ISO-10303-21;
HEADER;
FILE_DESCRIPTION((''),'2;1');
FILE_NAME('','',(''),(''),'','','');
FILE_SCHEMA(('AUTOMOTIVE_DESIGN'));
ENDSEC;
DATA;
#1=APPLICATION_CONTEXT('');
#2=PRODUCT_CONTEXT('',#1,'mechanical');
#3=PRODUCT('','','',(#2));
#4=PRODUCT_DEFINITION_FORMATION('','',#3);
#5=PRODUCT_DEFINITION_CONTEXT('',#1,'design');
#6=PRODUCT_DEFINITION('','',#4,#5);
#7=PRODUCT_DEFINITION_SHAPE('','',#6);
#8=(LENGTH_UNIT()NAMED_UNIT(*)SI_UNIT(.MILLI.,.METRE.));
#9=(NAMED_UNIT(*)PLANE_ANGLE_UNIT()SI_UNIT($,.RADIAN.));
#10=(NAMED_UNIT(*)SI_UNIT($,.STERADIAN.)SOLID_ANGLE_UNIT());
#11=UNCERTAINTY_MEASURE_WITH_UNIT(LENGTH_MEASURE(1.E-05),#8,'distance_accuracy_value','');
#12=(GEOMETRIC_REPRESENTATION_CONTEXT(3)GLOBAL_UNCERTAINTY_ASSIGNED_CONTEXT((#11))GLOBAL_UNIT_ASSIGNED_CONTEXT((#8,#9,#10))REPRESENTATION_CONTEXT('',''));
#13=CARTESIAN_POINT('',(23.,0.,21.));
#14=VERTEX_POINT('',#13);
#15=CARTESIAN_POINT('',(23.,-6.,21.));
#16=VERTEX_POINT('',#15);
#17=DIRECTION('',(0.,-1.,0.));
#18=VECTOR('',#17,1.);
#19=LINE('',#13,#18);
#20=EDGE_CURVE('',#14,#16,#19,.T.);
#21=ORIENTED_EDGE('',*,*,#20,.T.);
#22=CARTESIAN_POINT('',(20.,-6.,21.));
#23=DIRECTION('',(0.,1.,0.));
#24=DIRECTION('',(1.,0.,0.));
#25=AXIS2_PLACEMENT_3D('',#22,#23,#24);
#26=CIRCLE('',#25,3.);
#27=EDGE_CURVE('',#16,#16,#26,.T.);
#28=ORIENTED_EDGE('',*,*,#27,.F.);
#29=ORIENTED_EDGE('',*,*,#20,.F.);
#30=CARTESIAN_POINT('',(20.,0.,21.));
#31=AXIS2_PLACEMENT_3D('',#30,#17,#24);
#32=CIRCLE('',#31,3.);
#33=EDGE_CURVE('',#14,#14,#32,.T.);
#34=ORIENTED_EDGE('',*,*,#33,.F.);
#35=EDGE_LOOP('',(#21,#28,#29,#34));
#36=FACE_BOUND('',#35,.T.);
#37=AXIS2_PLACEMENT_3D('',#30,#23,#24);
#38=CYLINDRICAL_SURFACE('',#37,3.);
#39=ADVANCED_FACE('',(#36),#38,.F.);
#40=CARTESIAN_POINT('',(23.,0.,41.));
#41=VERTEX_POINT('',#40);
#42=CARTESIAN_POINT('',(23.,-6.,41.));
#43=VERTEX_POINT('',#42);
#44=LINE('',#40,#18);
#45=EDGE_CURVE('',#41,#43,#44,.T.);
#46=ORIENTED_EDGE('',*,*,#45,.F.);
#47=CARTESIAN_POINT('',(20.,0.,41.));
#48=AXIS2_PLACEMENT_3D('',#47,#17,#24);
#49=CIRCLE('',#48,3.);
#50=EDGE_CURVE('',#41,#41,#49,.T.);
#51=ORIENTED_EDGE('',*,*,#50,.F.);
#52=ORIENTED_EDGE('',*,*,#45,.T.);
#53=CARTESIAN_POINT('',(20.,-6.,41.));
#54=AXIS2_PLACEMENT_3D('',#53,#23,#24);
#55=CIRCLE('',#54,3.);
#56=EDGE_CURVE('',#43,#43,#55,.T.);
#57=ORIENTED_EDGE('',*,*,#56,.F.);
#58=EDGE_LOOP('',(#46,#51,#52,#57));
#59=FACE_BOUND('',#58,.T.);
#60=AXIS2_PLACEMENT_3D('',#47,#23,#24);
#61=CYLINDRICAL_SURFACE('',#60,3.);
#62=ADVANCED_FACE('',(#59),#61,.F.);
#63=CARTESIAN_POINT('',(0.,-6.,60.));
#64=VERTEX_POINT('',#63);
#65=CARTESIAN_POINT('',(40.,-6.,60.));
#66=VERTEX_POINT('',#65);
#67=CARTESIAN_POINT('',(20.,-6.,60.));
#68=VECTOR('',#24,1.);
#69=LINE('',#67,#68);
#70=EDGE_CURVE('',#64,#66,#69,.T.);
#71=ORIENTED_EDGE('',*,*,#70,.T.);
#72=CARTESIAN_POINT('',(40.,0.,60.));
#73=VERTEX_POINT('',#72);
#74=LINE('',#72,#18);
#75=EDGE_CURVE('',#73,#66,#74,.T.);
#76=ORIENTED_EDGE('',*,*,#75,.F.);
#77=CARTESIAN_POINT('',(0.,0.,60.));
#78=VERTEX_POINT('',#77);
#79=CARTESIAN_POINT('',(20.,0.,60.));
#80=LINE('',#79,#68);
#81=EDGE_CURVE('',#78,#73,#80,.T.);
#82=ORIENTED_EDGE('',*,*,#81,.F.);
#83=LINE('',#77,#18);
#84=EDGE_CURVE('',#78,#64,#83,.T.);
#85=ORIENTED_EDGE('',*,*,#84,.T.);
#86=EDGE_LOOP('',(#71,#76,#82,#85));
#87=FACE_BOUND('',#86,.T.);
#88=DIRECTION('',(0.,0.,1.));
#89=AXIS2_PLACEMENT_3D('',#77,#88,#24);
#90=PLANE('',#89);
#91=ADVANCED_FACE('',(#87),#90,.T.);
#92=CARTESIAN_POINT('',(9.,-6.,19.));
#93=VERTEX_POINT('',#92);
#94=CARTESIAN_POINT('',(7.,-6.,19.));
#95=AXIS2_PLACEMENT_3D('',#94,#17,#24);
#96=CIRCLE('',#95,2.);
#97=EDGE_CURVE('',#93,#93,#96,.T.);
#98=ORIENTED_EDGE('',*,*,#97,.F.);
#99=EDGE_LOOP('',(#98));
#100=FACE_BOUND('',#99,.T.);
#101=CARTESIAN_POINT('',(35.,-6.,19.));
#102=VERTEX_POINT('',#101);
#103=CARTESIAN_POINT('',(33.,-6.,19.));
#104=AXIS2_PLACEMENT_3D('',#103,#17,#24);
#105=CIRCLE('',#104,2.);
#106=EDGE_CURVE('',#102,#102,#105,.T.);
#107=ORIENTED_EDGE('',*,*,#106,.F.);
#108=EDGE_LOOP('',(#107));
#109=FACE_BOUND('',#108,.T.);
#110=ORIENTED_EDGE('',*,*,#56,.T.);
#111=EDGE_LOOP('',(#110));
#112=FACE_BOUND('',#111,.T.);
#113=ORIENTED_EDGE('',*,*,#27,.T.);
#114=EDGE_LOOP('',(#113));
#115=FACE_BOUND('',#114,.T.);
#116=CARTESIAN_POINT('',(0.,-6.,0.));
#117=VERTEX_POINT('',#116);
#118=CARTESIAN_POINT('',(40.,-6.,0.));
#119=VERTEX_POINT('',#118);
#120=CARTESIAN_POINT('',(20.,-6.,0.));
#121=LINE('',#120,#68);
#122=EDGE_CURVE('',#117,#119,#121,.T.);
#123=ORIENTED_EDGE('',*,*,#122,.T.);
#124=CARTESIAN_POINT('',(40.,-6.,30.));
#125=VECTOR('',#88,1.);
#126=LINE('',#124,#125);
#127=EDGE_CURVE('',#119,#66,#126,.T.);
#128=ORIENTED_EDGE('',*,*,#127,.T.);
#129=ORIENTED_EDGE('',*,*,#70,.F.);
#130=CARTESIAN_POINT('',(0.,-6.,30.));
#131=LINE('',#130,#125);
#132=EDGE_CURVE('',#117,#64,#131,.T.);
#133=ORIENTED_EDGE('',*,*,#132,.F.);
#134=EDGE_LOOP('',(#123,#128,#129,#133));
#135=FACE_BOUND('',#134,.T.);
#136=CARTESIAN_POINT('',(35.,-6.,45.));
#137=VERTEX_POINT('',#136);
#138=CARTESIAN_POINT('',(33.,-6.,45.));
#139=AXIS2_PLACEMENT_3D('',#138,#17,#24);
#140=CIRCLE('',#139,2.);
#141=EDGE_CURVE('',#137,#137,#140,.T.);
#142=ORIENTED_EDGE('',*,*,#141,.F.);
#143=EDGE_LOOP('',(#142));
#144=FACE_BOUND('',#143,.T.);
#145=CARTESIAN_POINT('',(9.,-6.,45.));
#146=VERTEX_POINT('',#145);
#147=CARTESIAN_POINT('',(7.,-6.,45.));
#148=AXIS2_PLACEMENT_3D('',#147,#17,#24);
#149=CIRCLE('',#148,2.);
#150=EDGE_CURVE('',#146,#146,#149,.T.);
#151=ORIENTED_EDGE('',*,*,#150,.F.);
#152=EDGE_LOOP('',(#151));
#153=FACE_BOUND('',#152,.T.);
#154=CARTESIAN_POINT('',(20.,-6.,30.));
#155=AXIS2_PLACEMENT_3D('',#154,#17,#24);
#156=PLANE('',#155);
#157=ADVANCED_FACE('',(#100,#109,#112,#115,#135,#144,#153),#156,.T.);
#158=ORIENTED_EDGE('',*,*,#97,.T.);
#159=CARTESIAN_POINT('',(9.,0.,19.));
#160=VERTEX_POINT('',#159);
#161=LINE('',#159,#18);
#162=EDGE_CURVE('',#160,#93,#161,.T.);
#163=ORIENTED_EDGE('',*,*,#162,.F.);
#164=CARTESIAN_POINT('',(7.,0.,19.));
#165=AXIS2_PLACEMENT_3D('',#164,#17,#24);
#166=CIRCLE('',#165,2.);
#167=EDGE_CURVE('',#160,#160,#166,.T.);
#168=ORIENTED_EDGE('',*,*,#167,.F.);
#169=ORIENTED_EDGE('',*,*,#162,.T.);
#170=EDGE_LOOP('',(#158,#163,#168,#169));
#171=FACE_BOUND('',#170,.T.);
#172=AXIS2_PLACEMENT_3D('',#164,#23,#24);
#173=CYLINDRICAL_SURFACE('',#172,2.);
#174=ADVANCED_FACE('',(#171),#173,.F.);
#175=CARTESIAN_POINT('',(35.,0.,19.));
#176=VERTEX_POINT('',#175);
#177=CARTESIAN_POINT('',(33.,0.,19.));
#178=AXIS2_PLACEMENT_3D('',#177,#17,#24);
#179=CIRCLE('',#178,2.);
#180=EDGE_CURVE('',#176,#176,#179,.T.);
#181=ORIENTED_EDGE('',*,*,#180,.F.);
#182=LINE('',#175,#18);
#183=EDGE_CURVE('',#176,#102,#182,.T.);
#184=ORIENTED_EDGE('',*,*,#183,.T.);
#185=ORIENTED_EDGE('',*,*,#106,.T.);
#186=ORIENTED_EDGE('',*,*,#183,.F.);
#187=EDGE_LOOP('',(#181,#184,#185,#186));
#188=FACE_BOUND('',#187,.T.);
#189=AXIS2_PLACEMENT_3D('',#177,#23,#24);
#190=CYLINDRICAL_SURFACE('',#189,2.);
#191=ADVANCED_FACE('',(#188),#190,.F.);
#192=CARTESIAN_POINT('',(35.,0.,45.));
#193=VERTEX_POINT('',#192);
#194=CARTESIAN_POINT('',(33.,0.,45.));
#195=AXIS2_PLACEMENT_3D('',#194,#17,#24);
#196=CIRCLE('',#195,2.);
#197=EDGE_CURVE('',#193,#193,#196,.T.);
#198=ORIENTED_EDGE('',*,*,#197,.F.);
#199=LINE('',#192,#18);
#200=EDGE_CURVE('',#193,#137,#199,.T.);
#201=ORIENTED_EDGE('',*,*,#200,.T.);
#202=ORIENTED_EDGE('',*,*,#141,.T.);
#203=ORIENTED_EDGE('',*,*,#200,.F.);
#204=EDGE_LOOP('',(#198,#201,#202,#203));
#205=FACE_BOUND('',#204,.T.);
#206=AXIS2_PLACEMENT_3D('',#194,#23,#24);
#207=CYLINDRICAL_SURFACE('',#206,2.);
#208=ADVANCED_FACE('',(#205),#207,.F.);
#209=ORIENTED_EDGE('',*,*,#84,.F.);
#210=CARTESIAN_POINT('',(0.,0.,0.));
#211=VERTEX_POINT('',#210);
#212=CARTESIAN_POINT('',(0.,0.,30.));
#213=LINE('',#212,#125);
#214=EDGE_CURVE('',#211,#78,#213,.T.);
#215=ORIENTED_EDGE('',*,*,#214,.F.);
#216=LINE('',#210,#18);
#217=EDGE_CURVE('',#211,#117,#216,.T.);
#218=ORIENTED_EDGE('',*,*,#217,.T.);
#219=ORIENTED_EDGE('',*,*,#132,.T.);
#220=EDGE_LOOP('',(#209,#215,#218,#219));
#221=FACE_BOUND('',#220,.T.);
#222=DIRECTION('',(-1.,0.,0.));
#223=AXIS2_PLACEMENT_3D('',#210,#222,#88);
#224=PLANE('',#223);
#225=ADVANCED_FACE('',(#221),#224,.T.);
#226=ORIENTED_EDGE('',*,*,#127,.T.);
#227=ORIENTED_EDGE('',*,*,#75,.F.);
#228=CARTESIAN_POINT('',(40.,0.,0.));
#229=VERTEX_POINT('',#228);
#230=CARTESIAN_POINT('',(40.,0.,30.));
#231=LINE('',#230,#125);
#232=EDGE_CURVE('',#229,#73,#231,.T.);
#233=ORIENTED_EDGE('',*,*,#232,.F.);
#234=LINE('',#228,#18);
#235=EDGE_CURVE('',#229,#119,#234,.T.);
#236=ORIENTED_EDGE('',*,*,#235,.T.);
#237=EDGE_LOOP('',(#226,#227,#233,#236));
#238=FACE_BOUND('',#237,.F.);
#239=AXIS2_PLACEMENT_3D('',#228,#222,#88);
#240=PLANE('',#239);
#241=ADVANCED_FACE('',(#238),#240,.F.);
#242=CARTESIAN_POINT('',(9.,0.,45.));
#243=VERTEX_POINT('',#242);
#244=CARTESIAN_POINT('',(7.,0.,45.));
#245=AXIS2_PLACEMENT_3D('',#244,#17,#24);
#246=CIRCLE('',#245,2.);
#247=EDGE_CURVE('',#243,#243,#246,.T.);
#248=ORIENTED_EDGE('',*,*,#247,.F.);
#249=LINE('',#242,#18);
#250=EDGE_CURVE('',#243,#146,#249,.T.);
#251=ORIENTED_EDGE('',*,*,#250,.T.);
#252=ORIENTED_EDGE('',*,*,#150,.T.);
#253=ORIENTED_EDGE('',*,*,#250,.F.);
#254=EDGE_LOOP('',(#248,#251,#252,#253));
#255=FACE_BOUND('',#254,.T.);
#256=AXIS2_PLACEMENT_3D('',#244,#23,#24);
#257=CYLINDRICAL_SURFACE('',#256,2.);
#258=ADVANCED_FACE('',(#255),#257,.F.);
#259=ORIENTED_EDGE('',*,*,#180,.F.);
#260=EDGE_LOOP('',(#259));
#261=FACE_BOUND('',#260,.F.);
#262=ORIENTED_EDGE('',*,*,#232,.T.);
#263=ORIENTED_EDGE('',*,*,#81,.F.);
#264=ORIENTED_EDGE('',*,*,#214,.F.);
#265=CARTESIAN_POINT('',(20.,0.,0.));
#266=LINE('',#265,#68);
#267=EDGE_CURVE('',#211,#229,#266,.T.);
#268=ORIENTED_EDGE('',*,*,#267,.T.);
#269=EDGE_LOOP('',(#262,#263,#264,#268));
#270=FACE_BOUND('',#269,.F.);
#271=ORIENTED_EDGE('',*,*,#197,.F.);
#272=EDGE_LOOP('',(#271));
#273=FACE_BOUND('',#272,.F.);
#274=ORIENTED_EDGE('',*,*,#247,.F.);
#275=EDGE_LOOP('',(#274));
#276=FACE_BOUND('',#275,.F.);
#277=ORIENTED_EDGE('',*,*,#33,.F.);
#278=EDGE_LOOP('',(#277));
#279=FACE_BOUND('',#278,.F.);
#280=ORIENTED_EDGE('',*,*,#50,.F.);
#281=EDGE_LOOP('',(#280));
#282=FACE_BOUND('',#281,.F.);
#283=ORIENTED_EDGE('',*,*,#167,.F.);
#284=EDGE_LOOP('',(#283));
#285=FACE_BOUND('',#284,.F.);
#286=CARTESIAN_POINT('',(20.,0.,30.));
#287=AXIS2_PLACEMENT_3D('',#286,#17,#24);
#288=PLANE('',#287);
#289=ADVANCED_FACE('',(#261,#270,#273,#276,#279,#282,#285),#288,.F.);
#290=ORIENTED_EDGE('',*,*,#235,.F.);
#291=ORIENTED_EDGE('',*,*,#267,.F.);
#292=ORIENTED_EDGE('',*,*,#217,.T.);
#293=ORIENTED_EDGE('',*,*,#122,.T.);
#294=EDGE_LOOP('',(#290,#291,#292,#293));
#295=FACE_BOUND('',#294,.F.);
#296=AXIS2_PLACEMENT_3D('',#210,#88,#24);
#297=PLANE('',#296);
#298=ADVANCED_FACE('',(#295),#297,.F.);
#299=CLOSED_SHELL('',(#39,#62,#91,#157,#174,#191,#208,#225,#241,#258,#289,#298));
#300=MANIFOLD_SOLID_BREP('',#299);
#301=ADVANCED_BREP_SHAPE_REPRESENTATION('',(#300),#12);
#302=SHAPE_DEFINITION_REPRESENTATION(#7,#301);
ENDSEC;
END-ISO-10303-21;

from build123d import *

# Parameters (mm, degrees)
CYLINDER001_R          = 3
CYLINDER001_DEPTH      = 10
CYLINDER001_ROLL_ANGLE = 90
ARRAY001_Z_COUNT       = 2
ARRAY001_Z_PITCH       = 20
CYLINDER_R             = 2
CYLINDER_DEPTH         = 6
CYLINDER_ROLL_ANGLE    = 90
ARRAY_X_COUNT          = 2
ARRAY_X_PITCH          = 26
ARRAY_Z_COUNT          = 2
ARRAY_Z_PITCH          = 26
BOX_W                  = 40
BOX_H                  = 60
BOX_DEPTH              = 6
BOX_ROLL_ANGLE         = 90


with BuildPart() as array001:
    # Cylinder001 → Cylinder001 (new body)
    with BuildSketch(Plane.XY):
        Circle(CYLINDER001_R)
    extrude(amount=CYLINDER001_DEPTH)


with BuildPart() as array001_1:
    # Cylinder001 roll: moved
    add(array001.part.rotate(Axis((0, 0, 0), (1, 0, 0)), CYLINDER001_ROLL_ANGLE))


with BuildPart() as array001_2:
    # Cylinder001 placement: moved
    add(array001_1.part.moved(Location((20, 0, 21))))

    # Array001 Z: Array001 ×2


with BuildPart() as array001_3:
    add(array001_2.part)
    with Locations(*[(0, 0, i * ARRAY001_Z_PITCH) for i in range(1, ARRAY001_Z_COUNT)]):
        add(array001_2.part)


with BuildPart() as array:
    # Cylinder → Cylinder (new body)
    with BuildSketch(Plane.XY):
        Circle(CYLINDER_R)
    extrude(amount=CYLINDER_DEPTH)


with BuildPart() as array_1:
    # Cylinder roll: moved
    add(array.part.rotate(Axis((0, 0, 0), (1, 0, 0)), CYLINDER_ROLL_ANGLE))


with BuildPart() as array_2:
    # Cylinder placement: moved
    add(array_1.part.moved(Location((7, 0, 19))))

    # Array X: Array ×2


with BuildPart() as array_3:
    add(array_2.part)
    with Locations(*[(i * ARRAY_X_PITCH, 0, 0) for i in range(1, ARRAY_X_COUNT)]):
        add(array_2.part)

    # Array Z: Array ×2


with BuildPart() as array_4:
    add(array_3.part)
    with Locations(*[(0, 0, i * ARRAY_Z_PITCH) for i in range(1, ARRAY_Z_COUNT)]):
        add(array_3.part)


with BuildPart() as cut001:
    # Box → Box (new body)
    with BuildSketch(Plane.XY):
        with Locations((20, 30)):
            Rectangle(BOX_W, BOX_H)
    extrude(amount=BOX_DEPTH)


with BuildPart() as cut001_1:
    # Box roll: moved
    add(cut001.part.rotate(Axis((0, 0, 0), (1, 0, 0)), BOX_ROLL_ANGLE))


with BuildPart() as cut001_2:
    # Box placement: moved
    add(cut001_1.part)

    # Cut: cut Array
    add(array_4.part, mode=Mode.SUBTRACT)

    # Cut001: cut Array001
    add(array001_3.part, mode=Mode.SUBTRACT)


solid = cut001_2.part
